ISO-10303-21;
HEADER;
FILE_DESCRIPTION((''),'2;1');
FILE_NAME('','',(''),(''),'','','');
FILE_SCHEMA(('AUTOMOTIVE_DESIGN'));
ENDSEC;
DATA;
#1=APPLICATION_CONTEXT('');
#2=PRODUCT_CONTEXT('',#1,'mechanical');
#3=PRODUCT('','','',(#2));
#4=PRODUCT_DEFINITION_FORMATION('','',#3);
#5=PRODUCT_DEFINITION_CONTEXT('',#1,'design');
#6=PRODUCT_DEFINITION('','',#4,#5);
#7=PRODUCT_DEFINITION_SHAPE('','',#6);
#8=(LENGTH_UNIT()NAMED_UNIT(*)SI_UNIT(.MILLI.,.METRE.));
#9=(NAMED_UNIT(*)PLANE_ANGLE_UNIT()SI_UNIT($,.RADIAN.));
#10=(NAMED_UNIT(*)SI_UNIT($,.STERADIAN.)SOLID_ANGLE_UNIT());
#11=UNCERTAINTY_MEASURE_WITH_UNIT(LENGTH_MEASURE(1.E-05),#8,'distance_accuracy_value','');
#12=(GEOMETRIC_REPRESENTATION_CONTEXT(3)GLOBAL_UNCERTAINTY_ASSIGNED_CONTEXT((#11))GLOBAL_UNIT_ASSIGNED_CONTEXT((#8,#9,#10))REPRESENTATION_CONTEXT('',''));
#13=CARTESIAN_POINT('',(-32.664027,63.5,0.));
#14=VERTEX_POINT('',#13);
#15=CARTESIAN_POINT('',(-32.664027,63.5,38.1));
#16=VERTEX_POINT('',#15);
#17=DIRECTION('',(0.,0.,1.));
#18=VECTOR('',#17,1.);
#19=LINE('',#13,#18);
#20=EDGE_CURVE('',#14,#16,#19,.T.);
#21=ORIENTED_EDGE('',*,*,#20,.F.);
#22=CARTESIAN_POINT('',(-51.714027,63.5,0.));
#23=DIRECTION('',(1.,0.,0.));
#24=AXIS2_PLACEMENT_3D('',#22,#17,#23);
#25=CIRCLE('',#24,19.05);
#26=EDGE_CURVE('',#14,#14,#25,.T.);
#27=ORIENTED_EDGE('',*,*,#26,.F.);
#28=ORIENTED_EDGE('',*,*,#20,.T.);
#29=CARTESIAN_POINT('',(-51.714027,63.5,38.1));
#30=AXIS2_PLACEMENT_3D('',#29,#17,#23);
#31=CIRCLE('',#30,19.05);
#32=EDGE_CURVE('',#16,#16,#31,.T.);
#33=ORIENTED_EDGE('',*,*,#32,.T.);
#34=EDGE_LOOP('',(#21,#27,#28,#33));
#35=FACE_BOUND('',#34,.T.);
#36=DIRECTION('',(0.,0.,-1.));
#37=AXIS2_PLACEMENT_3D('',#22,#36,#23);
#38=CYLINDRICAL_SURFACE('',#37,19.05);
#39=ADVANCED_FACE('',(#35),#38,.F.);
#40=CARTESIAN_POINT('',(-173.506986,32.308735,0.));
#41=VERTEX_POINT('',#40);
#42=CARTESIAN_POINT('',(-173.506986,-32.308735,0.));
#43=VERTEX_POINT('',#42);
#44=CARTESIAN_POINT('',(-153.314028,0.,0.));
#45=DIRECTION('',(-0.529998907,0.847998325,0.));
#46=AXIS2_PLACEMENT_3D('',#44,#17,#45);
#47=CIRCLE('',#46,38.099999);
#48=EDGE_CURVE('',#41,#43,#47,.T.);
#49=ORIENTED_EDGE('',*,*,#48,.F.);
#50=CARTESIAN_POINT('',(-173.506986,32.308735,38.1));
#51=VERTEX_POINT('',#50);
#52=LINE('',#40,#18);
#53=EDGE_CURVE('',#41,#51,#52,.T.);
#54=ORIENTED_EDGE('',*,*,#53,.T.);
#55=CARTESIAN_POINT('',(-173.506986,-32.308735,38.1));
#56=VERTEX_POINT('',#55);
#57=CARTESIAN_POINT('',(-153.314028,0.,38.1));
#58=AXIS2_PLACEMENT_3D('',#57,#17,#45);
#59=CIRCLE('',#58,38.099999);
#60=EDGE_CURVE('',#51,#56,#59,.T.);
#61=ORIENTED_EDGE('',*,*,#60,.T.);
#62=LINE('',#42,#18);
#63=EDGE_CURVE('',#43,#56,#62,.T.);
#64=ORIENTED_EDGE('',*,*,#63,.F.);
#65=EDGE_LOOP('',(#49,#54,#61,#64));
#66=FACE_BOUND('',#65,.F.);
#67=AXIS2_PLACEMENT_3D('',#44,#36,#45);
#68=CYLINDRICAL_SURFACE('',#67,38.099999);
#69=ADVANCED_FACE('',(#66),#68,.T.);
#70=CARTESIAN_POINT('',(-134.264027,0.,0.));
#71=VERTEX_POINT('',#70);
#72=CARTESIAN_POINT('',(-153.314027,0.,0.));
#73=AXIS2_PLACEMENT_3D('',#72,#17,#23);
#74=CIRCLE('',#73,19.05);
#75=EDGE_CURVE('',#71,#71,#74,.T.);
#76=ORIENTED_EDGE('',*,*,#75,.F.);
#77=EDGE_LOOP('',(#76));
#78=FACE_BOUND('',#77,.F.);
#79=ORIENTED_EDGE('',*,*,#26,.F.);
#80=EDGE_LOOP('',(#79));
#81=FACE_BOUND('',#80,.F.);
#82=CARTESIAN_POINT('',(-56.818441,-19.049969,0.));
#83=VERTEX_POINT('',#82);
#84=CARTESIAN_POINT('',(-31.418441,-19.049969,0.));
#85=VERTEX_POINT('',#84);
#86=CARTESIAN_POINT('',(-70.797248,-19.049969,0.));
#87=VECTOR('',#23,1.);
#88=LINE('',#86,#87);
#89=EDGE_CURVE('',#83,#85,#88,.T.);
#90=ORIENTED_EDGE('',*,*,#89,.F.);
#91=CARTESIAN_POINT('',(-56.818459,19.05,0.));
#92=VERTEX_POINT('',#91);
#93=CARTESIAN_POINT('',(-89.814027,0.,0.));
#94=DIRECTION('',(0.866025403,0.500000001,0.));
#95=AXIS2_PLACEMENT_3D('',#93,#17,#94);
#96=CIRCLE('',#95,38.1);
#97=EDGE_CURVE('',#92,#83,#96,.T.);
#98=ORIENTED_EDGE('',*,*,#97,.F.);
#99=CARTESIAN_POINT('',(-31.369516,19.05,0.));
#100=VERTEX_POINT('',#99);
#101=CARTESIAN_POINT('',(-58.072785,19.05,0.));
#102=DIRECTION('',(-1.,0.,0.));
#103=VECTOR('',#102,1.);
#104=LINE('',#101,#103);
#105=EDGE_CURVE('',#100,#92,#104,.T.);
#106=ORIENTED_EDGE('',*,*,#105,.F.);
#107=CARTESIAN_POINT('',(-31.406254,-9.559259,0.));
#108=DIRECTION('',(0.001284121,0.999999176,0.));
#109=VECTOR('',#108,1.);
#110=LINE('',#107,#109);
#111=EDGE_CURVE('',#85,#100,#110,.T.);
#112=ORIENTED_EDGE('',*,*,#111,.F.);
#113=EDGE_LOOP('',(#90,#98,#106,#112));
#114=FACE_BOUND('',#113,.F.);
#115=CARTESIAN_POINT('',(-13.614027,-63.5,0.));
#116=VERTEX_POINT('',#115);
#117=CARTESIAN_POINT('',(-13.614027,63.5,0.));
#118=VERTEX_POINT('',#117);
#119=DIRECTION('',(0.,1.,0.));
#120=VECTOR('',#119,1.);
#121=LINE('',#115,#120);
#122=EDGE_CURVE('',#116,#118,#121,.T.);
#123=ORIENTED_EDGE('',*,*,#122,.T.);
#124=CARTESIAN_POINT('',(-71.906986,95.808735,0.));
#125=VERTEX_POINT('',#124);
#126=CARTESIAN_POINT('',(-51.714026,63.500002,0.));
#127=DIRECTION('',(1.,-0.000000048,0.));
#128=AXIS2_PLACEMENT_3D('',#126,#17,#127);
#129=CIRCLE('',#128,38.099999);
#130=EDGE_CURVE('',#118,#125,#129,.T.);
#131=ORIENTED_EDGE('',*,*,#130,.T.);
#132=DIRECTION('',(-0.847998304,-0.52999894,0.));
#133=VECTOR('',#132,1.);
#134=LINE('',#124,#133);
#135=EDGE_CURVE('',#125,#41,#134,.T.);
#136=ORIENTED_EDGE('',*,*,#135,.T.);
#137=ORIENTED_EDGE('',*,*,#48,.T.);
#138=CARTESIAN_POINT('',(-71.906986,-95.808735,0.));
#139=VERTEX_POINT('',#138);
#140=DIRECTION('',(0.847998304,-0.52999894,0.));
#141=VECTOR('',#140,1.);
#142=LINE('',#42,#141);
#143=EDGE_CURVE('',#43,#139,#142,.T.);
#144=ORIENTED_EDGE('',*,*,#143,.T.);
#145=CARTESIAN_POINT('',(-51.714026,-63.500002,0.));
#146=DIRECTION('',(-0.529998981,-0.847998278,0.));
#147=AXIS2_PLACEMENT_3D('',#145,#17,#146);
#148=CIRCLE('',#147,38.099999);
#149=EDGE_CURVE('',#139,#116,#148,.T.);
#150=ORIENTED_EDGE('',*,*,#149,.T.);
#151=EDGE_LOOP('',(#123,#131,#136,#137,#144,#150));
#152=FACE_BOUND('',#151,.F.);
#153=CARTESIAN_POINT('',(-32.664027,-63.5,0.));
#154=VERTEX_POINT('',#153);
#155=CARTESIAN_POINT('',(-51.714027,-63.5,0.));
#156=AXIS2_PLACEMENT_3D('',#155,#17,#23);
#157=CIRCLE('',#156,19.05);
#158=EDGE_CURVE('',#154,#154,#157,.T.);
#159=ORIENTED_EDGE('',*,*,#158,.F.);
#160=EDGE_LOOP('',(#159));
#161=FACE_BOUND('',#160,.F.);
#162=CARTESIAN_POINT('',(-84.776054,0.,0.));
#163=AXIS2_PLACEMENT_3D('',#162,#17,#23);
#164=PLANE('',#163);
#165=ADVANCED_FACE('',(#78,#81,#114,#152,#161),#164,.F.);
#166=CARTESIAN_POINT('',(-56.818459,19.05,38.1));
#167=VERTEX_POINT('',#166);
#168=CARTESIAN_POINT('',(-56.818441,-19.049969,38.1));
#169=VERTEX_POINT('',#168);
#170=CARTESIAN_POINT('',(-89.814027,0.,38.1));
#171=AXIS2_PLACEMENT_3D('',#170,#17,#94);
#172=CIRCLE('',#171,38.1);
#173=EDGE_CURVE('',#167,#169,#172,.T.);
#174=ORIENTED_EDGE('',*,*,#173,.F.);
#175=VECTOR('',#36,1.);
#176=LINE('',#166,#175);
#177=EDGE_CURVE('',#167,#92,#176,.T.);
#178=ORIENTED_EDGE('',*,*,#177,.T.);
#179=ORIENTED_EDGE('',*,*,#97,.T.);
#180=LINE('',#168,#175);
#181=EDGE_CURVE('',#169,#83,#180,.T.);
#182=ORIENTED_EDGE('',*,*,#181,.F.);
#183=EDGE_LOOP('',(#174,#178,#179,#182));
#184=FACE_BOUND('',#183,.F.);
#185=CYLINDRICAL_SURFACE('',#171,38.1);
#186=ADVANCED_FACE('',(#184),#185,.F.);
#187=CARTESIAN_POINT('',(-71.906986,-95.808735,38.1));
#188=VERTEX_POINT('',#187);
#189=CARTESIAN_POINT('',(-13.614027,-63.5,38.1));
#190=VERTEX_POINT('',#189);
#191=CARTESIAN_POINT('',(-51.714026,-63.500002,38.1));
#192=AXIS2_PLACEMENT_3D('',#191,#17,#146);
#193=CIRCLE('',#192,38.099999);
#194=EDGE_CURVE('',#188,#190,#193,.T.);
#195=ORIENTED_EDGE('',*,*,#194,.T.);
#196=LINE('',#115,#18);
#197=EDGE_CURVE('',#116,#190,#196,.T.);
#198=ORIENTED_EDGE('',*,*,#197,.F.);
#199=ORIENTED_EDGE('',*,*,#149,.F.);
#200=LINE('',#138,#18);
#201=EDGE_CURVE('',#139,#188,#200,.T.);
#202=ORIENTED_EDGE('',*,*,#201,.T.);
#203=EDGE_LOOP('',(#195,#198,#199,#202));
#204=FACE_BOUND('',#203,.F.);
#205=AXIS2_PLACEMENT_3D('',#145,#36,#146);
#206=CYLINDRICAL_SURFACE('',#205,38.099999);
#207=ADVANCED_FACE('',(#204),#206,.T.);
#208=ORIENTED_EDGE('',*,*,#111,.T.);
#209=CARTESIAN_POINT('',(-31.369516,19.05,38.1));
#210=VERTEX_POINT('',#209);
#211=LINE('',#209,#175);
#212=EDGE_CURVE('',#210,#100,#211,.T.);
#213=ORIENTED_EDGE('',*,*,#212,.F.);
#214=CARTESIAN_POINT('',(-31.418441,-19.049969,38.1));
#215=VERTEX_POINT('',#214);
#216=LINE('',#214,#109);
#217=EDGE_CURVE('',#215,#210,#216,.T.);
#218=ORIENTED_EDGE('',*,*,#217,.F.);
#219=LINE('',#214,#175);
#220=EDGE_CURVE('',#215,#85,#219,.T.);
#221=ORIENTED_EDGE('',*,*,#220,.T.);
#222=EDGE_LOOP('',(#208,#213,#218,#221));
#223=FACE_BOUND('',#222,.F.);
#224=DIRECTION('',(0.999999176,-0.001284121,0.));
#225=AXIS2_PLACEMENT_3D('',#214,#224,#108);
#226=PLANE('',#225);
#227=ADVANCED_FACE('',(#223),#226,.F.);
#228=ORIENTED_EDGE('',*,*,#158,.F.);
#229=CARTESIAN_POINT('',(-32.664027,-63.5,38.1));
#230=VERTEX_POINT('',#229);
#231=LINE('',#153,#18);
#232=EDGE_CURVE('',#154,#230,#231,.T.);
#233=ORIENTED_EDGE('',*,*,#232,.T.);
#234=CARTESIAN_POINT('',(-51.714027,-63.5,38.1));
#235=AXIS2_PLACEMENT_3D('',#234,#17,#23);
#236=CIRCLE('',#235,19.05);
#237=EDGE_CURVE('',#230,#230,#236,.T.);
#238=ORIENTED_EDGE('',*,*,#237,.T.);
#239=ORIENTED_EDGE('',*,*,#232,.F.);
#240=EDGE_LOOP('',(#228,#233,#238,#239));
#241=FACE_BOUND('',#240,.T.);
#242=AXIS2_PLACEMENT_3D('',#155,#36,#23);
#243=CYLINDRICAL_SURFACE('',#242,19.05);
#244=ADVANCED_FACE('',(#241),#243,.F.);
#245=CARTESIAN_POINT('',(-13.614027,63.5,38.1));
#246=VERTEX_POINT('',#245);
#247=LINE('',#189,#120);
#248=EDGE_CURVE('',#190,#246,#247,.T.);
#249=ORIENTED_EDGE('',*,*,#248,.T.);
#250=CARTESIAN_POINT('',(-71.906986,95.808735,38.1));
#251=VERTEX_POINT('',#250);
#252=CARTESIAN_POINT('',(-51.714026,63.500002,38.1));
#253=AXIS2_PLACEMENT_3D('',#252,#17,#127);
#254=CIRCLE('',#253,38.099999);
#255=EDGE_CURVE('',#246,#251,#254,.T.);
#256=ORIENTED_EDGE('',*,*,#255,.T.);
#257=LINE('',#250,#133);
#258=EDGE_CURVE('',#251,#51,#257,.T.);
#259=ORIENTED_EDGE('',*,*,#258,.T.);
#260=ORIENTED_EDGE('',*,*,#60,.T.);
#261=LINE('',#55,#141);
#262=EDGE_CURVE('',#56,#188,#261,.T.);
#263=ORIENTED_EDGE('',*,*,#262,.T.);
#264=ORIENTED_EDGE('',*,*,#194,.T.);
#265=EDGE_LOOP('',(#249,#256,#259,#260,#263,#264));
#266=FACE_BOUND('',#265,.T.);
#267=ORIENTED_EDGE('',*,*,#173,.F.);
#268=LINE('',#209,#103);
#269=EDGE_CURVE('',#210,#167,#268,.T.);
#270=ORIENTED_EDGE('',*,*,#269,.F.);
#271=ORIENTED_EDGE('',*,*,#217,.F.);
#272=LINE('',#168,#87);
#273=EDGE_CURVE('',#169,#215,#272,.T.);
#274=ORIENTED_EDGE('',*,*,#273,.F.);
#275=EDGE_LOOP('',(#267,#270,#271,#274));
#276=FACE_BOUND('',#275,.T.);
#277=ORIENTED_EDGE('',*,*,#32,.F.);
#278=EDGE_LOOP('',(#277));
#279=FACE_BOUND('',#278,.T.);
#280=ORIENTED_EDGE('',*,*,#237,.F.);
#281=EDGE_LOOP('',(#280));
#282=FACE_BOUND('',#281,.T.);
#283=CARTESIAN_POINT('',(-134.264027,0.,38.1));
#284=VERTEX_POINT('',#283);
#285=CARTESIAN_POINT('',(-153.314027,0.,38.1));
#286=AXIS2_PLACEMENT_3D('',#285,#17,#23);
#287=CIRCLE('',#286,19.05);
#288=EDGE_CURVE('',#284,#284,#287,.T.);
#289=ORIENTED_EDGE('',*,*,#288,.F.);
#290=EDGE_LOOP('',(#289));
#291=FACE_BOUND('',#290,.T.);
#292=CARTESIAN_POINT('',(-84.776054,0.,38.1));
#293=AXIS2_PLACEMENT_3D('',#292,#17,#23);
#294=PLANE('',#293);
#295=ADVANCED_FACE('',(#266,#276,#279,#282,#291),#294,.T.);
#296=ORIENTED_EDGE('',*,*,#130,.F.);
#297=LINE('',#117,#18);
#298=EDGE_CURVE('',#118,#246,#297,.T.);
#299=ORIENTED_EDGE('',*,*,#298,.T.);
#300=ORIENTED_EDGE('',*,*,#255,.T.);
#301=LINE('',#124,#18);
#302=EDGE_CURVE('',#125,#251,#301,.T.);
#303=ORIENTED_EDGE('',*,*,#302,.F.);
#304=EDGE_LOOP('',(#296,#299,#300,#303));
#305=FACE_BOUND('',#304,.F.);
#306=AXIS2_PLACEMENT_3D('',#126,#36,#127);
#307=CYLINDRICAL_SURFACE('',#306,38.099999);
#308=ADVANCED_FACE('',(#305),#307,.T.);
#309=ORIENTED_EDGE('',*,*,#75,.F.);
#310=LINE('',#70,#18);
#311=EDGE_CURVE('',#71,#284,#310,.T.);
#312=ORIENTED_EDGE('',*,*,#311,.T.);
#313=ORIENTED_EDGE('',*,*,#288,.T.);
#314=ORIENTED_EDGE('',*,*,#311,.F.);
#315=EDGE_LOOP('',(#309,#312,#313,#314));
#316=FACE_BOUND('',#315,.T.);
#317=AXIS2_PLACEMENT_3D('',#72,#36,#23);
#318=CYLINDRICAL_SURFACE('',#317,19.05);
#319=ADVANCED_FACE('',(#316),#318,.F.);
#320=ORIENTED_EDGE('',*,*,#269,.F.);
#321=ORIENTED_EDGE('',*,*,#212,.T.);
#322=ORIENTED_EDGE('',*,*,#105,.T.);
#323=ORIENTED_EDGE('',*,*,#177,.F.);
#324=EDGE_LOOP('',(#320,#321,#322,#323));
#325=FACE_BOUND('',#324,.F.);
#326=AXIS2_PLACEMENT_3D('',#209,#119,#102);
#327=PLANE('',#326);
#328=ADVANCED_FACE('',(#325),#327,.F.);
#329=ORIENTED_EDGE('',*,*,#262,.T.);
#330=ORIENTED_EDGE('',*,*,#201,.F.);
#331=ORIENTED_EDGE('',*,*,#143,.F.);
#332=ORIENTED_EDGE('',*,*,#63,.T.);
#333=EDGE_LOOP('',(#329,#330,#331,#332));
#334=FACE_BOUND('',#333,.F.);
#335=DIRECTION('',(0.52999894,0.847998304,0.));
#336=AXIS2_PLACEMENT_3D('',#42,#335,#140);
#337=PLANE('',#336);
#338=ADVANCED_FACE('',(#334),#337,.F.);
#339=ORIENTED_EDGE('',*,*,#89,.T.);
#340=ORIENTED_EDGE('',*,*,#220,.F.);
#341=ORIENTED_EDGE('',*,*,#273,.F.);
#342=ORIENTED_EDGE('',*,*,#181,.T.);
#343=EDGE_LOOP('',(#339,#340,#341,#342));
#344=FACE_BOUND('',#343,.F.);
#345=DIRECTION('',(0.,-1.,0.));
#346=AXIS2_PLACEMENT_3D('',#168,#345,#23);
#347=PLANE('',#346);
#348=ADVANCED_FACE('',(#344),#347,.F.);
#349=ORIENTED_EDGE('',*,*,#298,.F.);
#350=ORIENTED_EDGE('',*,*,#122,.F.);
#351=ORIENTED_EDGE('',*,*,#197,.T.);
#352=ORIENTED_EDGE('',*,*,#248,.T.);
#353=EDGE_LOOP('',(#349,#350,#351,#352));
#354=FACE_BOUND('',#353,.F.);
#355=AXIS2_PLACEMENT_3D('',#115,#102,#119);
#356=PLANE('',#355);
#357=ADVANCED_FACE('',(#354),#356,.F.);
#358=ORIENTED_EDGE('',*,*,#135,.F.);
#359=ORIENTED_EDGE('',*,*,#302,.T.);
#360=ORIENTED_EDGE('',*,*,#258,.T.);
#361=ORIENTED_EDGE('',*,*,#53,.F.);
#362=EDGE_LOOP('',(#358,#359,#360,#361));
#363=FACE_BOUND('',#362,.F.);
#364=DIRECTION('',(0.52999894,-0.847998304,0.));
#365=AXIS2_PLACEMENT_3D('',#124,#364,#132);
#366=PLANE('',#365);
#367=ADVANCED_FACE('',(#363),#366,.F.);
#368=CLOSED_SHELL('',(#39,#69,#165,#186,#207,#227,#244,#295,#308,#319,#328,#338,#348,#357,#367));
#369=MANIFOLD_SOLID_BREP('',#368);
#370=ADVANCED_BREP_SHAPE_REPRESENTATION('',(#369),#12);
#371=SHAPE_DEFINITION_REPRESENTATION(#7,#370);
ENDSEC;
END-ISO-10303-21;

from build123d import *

# Parameters (mm, degrees)
F0_R     = 19.05
F1_DEPTH = 38.1
F3_DEPTH = 38.101


with BuildPart() as f1:
    # F0 (on Top) → F1 (new body)
    with BuildSketch(Plane.XY):
        with BuildLine():
            Line((-71.906986, 95.808735), (-173.506986, 32.308735))
            ThreePointArc((-173.506986, 32.308735), (-191.414027, 0), (-173.506986, -32.308735))
            Line((-173.506986, -32.308735), (-71.906986, -95.808735))
            ThreePointArc((-71.906986, -95.808735), (-33.244345, -96.823879), (-13.614027, -63.5))
            Line((-13.614027, -63.5), (-13.614027, 63.5))
            ThreePointArc((-13.614027, 63.5), (-33.244345, 96.823879), (-71.906986, 95.808735))
        make_face()
        with Locations((-153.314027, 0)):
            Circle(F0_R, mode=Mode.SUBTRACT)
        with Locations((-51.714027, -63.5)):
            Circle(F0_R, mode=Mode.SUBTRACT)
        with Locations((-51.714027, 63.5)):
            Circle(F0_R, mode=Mode.SUBTRACT)
    extrude(amount=F1_DEPTH)

    # F2 (on face) → F3 (cut, through all)
    with BuildSketch(Plane.XY.offset(38.1)):
        with BuildLine():
            Line((-31.369516, 19.05), (-56.818459, 19.05))
            ThreePointArc((-56.818459, 19.05), (-127.914027, -1.8e-05), (-56.818441, -19.049969))
            Line((-56.818441, -19.049969), (-31.418441, -19.049969))
            Line((-31.418441, -19.049969), (-31.369516, 19.05))
        make_face()
    extrude(amount=-F3_DEPTH, mode=Mode.SUBTRACT)


solid = f1.part
